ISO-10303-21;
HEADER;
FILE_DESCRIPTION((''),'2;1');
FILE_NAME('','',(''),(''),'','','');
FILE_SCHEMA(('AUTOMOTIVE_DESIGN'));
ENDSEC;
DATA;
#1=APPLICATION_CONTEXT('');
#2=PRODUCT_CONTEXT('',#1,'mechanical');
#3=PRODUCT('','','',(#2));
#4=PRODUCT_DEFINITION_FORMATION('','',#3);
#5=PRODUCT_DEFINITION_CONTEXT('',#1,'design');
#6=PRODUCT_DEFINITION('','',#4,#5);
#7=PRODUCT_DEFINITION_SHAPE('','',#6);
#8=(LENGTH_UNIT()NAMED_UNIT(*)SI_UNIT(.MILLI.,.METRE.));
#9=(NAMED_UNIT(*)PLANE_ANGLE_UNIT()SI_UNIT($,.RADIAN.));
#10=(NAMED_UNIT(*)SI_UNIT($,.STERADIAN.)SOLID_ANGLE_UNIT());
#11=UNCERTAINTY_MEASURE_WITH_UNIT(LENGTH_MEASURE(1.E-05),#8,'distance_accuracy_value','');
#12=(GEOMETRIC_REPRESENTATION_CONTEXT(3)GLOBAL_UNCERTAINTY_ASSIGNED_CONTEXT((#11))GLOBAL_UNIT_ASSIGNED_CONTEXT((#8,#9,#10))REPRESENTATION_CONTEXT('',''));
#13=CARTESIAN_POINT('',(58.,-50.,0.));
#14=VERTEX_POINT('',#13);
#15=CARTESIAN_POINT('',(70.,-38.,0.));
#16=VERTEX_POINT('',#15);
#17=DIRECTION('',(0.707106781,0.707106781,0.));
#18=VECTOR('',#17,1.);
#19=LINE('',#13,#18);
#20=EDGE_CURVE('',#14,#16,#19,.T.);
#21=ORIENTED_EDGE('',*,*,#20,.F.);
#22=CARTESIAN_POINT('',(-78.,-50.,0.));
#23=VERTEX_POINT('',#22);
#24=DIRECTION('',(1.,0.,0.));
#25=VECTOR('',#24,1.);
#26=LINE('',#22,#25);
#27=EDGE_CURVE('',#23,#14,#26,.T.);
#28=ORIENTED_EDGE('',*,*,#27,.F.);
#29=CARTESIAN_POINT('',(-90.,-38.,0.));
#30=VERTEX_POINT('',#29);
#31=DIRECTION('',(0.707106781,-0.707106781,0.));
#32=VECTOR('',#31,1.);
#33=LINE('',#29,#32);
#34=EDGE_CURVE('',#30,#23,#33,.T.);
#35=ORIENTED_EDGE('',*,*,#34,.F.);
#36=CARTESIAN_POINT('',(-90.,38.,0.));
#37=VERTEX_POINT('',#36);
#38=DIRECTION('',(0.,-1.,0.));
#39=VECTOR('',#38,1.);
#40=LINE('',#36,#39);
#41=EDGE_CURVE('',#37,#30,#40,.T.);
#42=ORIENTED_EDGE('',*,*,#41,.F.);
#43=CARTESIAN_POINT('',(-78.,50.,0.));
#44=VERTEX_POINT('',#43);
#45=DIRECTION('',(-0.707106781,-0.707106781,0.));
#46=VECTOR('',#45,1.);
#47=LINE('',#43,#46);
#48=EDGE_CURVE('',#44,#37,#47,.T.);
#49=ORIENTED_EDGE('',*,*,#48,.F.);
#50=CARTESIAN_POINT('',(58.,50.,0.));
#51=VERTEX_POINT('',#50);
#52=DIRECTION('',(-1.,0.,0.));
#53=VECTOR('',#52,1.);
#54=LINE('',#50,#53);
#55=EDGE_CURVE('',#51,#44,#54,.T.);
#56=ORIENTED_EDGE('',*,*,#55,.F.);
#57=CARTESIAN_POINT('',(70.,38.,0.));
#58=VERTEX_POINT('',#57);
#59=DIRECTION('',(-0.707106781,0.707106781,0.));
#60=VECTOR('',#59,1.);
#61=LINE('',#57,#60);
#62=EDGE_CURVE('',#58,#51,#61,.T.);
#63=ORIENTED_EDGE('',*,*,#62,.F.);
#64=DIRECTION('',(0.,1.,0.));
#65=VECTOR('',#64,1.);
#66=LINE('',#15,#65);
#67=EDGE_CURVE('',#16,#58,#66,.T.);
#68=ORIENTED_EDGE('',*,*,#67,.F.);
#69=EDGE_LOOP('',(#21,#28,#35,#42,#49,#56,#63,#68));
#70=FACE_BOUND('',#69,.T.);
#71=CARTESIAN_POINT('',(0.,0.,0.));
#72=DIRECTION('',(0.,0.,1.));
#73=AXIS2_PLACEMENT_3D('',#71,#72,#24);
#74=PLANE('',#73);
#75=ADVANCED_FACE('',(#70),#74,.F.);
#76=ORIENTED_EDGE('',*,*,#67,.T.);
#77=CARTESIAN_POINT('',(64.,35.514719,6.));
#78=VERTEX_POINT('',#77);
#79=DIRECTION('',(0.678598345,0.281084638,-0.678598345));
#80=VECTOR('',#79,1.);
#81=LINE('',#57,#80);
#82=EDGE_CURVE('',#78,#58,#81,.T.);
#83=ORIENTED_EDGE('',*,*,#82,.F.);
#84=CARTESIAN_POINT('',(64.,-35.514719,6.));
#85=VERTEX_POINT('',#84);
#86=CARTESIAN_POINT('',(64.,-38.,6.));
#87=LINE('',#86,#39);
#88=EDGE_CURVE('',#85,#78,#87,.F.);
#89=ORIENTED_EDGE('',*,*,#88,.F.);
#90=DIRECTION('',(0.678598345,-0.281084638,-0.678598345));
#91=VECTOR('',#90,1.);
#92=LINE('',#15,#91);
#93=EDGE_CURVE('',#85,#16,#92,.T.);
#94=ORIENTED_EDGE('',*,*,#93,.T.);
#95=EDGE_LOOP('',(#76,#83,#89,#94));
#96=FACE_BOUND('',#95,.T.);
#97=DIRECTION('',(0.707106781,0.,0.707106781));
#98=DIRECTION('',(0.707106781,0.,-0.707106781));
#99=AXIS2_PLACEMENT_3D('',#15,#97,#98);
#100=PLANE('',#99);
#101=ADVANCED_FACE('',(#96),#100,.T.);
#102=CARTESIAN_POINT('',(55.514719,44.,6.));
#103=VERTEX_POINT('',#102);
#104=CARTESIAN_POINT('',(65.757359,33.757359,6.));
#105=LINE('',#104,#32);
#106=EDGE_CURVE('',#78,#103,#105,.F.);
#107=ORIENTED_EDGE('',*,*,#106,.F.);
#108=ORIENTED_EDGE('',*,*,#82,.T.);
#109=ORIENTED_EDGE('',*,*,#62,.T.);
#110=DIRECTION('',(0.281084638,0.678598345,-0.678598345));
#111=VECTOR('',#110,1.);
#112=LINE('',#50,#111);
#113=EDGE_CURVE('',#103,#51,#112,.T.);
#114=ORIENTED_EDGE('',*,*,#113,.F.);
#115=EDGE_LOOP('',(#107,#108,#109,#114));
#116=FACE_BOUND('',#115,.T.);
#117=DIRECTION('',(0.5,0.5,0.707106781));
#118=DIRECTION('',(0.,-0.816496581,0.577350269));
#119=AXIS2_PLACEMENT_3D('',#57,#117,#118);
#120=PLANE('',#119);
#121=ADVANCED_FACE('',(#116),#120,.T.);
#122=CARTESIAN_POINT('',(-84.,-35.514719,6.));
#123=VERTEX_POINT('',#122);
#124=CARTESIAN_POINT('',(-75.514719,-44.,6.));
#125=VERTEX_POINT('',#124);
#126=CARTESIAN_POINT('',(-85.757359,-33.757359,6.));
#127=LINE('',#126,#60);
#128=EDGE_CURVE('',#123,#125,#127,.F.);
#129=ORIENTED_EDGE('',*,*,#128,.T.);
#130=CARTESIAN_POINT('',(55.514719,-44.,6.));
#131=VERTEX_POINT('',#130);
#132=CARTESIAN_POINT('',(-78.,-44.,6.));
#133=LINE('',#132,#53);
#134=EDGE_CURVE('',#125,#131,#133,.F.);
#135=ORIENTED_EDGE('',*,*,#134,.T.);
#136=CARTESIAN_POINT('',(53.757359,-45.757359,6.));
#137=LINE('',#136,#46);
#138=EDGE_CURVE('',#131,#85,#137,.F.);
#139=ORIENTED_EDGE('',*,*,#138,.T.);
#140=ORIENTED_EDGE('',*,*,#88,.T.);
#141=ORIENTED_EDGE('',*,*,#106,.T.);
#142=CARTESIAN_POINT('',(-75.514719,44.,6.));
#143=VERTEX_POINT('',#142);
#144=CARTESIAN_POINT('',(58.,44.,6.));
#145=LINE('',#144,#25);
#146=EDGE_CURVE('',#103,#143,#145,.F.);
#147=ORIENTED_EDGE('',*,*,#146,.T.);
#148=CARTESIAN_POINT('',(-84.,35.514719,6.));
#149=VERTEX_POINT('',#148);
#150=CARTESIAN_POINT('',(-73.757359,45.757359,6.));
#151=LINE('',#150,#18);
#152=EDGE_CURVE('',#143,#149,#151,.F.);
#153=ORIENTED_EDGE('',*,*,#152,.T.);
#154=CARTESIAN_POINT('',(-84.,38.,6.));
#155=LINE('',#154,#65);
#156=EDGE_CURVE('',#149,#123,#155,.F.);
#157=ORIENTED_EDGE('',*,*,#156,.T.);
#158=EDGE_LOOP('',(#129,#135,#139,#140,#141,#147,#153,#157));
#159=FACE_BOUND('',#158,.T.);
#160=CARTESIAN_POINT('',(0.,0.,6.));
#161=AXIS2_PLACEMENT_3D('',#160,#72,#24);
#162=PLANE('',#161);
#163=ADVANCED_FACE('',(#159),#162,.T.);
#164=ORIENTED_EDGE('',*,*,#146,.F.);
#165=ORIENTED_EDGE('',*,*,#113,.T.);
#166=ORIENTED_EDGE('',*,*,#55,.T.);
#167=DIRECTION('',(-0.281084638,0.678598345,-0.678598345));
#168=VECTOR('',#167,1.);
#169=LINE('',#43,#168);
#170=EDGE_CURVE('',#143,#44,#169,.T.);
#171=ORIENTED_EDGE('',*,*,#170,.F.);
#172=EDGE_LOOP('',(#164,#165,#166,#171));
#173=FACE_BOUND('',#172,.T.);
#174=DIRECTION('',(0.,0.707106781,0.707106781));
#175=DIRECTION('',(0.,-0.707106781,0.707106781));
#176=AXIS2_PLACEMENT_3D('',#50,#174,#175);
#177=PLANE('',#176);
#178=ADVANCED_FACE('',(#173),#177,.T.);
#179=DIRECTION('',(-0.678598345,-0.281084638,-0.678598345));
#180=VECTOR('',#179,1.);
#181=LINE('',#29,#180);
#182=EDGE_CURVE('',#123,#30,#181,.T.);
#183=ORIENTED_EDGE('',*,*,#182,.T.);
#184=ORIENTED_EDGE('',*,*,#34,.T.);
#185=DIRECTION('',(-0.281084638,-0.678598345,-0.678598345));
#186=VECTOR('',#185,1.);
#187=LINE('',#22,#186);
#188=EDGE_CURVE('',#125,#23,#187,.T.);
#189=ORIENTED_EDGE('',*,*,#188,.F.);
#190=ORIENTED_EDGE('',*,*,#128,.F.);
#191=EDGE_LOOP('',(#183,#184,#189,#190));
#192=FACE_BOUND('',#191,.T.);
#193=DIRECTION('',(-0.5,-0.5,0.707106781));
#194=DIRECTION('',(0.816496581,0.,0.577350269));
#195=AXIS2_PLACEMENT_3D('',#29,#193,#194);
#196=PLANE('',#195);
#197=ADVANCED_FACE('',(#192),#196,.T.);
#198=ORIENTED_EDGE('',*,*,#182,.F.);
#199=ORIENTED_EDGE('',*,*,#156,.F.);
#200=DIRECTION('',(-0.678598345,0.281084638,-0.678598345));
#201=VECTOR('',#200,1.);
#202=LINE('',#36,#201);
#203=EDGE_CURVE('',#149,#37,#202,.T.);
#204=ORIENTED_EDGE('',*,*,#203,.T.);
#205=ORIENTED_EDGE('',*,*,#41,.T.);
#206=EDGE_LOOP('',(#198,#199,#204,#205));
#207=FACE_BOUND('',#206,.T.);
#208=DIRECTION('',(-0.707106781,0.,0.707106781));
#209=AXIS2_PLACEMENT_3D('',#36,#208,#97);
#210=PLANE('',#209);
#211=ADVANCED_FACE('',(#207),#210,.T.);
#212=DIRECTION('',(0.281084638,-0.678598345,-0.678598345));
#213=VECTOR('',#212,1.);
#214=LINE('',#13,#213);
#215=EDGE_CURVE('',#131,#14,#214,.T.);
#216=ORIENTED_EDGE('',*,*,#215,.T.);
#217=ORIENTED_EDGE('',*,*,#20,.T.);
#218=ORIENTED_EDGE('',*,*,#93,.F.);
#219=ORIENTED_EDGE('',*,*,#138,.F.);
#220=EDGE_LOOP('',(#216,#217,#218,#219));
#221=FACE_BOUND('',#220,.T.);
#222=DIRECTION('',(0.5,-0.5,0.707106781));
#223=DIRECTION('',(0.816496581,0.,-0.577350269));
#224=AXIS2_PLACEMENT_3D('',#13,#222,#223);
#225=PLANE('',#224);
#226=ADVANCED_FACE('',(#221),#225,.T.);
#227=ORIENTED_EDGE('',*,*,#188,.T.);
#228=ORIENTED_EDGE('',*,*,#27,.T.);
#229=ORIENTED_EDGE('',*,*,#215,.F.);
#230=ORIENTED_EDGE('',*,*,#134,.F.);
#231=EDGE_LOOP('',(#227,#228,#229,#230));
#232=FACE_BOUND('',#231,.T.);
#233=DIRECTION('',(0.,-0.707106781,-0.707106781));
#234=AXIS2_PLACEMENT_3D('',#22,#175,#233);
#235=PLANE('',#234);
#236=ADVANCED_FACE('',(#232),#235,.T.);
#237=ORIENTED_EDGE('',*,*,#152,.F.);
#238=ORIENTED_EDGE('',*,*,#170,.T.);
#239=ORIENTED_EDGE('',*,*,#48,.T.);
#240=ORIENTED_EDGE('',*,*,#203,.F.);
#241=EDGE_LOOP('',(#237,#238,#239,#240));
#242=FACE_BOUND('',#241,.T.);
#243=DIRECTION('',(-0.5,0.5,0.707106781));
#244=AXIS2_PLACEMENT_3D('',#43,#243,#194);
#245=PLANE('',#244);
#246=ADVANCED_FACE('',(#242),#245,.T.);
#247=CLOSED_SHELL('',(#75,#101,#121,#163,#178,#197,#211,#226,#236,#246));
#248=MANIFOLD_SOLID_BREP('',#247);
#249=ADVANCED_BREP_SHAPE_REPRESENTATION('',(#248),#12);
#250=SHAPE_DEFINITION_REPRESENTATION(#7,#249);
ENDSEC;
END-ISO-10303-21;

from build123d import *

# Parameters (mm, degrees)
SLOPED_45DEG_ROOF_FLAT_WEBCAM_TOP_DEPTH = 6
SLOPED_45DEG_ROOF_FLAT_WEBCAM_TOP_TAPER = 45


with BuildPart() as part:
    # Sketch1 → Sloped_45deg_Roof_Flat_Webcam_Top (new body)
    with BuildSketch(Plane.XY):
        Polygon((-78, -50), (58, -50), (70, -38), (70, 38), (58, 50), (-78, 50), (-90, 38), (-90, -38), align=None)
    extrude(amount=SLOPED_45DEG_ROOF_FLAT_WEBCAM_TOP_DEPTH, taper=SLOPED_45DEG_ROOF_FLAT_WEBCAM_TOP_TAPER)


solid = part.part
